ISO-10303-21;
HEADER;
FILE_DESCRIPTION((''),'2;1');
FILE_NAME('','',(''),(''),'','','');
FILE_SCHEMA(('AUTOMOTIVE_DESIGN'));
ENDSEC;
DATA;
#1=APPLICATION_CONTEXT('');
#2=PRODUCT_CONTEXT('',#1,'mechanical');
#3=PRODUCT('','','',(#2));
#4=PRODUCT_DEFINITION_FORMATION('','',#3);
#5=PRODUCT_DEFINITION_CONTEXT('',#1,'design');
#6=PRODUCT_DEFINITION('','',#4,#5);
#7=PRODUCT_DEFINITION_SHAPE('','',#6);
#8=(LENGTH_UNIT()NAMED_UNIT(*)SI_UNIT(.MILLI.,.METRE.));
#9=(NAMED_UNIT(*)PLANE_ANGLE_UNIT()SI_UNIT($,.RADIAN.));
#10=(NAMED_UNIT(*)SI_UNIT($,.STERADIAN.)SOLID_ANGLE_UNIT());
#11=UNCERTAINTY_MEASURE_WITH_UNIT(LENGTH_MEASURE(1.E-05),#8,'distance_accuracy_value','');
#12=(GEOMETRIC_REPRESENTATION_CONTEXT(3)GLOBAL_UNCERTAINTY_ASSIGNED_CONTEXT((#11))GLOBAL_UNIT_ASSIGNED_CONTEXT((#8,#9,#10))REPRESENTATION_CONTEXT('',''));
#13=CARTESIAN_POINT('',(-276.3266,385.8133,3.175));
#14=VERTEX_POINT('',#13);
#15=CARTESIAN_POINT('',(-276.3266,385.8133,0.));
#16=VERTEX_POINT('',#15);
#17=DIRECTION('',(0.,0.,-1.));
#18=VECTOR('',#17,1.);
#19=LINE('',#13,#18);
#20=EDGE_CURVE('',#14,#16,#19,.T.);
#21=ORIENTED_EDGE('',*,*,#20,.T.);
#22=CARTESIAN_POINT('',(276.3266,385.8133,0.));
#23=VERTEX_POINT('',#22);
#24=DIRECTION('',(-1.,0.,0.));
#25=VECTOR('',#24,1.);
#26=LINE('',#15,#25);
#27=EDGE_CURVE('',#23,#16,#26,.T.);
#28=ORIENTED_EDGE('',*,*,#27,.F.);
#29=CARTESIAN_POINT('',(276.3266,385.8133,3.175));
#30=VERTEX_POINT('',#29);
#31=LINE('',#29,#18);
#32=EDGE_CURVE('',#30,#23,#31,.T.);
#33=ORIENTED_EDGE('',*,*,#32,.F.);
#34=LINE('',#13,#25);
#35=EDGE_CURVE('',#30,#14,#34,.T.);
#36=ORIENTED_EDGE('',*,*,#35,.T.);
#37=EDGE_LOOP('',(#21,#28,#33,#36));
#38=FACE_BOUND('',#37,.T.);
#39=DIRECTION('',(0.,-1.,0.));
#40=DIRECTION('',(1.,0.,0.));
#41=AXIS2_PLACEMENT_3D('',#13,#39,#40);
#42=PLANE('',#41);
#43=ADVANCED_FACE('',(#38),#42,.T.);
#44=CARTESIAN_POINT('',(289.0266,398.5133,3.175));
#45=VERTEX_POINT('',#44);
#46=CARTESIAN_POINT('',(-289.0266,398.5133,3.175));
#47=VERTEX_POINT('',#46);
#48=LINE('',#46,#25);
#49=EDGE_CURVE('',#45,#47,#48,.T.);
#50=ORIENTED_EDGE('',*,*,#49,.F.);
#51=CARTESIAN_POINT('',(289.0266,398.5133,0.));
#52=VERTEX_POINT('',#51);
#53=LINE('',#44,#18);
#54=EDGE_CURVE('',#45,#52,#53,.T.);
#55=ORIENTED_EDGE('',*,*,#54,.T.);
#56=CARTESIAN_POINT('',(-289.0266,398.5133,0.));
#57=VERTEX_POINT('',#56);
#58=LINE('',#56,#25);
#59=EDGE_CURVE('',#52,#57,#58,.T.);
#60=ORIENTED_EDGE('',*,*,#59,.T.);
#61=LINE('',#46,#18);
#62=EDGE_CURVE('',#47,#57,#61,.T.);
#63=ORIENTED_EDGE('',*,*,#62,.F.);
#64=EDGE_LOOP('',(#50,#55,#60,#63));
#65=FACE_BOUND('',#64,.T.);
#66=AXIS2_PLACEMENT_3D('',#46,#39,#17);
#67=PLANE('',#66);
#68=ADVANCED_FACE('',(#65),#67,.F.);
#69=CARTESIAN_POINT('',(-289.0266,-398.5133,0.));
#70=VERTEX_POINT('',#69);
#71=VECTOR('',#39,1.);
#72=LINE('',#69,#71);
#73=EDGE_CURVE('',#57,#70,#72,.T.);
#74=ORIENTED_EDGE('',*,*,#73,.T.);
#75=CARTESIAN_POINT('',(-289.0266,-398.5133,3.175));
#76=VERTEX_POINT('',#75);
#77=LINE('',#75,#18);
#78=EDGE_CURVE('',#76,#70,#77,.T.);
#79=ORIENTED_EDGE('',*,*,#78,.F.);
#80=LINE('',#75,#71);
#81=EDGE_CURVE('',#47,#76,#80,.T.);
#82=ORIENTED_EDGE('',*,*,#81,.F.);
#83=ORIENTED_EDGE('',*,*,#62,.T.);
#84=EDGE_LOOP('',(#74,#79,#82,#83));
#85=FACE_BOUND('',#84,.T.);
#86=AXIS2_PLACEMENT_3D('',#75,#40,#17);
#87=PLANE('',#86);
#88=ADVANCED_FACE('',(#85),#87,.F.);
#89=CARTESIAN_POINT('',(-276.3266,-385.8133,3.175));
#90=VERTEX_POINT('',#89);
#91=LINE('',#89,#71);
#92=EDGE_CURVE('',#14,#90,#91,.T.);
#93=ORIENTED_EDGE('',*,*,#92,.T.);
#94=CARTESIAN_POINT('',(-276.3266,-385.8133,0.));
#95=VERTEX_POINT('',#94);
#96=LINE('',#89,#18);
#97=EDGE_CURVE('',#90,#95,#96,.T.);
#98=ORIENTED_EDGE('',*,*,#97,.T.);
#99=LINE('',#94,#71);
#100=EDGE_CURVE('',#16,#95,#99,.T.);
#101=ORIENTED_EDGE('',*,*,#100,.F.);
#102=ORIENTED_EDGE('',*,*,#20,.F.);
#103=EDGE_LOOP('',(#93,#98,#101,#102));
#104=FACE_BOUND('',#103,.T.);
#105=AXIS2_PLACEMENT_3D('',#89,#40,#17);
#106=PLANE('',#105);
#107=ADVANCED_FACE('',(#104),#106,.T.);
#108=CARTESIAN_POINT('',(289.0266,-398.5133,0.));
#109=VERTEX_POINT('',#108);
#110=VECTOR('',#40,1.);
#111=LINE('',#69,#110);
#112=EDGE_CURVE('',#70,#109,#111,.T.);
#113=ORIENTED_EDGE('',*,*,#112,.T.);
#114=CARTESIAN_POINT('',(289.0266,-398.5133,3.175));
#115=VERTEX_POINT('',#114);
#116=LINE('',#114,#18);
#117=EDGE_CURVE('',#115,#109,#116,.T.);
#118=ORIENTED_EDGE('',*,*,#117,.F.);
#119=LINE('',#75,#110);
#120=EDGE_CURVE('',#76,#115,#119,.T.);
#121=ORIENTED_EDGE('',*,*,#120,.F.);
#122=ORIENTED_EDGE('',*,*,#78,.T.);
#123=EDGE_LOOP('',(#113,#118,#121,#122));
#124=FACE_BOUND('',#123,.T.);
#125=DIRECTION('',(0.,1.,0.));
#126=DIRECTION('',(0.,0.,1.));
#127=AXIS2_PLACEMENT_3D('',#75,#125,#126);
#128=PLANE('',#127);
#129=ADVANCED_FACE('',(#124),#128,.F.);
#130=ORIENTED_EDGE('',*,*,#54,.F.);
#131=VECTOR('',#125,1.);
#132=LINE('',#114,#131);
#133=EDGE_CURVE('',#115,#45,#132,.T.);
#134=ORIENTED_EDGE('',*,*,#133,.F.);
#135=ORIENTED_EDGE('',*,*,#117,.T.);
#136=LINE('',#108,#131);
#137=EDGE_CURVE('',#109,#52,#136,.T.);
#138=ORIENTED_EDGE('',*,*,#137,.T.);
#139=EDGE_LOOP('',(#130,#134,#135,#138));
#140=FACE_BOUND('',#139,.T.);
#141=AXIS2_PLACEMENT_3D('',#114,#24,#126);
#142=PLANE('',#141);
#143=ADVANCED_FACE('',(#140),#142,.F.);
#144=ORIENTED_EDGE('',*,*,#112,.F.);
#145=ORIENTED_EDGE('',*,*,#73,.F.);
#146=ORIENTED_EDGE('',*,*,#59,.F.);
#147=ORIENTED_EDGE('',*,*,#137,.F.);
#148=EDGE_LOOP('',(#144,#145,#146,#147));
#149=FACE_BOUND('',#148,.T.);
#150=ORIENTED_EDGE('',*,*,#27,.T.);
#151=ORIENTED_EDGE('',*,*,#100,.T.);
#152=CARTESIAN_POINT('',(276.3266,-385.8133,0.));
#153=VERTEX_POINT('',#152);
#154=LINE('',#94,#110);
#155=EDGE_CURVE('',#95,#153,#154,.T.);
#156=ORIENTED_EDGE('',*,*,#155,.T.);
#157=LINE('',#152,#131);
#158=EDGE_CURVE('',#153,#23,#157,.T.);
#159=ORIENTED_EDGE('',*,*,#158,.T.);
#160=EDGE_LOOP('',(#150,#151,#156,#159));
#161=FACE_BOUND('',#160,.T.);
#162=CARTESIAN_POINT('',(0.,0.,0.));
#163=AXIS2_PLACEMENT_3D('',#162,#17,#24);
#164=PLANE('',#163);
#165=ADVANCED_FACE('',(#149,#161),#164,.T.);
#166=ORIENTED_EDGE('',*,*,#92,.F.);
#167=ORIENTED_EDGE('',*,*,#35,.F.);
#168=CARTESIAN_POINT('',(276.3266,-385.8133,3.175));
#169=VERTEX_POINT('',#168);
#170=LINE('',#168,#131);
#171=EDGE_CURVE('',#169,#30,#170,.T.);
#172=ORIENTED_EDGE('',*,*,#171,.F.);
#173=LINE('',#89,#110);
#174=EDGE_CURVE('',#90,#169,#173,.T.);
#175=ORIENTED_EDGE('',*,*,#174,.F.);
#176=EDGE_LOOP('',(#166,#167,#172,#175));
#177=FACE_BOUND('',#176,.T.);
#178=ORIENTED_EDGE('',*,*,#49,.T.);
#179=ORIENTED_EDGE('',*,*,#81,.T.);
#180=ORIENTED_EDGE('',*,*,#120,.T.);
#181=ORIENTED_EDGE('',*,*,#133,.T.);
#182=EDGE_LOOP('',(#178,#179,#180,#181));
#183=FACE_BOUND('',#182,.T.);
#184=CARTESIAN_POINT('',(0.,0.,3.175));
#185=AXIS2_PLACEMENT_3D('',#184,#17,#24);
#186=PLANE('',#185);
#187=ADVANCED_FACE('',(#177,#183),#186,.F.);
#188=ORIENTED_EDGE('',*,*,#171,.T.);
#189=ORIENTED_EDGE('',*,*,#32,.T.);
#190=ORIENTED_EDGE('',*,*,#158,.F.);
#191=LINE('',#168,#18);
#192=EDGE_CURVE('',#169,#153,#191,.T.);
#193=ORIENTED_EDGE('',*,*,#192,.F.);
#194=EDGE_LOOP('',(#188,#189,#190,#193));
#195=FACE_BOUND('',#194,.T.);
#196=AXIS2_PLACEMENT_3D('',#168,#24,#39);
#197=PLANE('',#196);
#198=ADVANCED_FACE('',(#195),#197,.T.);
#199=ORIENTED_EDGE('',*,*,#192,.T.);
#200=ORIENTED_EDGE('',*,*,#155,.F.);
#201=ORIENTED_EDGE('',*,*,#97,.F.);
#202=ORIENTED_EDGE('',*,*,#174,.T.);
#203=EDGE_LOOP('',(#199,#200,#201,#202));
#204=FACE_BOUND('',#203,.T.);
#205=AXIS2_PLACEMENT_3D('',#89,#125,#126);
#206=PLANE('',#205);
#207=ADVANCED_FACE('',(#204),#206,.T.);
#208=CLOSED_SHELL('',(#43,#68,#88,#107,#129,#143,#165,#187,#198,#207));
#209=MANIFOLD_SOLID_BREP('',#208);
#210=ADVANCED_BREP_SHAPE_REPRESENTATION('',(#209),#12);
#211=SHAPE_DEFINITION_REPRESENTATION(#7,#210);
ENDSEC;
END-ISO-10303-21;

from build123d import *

# Parameters (mm, degrees)
SKETCH1_W           = 578.0532
SKETCH1_H           = 797.0266
SKETCH1_W_2         = 552.6532
SKETCH1_H_2         = 771.6266
BOSS_EXTRUDE1_DEPTH = 3.175


with BuildPart() as part:
    # Sketch1 → Boss-Extrude1 (new body)
    with BuildSketch(Plane.XY):
        Rectangle(SKETCH1_W, SKETCH1_H)
        Rectangle(SKETCH1_W_2, SKETCH1_H_2, mode=Mode.SUBTRACT)
    extrude(amount=BOSS_EXTRUDE1_DEPTH)


solid = part.part
